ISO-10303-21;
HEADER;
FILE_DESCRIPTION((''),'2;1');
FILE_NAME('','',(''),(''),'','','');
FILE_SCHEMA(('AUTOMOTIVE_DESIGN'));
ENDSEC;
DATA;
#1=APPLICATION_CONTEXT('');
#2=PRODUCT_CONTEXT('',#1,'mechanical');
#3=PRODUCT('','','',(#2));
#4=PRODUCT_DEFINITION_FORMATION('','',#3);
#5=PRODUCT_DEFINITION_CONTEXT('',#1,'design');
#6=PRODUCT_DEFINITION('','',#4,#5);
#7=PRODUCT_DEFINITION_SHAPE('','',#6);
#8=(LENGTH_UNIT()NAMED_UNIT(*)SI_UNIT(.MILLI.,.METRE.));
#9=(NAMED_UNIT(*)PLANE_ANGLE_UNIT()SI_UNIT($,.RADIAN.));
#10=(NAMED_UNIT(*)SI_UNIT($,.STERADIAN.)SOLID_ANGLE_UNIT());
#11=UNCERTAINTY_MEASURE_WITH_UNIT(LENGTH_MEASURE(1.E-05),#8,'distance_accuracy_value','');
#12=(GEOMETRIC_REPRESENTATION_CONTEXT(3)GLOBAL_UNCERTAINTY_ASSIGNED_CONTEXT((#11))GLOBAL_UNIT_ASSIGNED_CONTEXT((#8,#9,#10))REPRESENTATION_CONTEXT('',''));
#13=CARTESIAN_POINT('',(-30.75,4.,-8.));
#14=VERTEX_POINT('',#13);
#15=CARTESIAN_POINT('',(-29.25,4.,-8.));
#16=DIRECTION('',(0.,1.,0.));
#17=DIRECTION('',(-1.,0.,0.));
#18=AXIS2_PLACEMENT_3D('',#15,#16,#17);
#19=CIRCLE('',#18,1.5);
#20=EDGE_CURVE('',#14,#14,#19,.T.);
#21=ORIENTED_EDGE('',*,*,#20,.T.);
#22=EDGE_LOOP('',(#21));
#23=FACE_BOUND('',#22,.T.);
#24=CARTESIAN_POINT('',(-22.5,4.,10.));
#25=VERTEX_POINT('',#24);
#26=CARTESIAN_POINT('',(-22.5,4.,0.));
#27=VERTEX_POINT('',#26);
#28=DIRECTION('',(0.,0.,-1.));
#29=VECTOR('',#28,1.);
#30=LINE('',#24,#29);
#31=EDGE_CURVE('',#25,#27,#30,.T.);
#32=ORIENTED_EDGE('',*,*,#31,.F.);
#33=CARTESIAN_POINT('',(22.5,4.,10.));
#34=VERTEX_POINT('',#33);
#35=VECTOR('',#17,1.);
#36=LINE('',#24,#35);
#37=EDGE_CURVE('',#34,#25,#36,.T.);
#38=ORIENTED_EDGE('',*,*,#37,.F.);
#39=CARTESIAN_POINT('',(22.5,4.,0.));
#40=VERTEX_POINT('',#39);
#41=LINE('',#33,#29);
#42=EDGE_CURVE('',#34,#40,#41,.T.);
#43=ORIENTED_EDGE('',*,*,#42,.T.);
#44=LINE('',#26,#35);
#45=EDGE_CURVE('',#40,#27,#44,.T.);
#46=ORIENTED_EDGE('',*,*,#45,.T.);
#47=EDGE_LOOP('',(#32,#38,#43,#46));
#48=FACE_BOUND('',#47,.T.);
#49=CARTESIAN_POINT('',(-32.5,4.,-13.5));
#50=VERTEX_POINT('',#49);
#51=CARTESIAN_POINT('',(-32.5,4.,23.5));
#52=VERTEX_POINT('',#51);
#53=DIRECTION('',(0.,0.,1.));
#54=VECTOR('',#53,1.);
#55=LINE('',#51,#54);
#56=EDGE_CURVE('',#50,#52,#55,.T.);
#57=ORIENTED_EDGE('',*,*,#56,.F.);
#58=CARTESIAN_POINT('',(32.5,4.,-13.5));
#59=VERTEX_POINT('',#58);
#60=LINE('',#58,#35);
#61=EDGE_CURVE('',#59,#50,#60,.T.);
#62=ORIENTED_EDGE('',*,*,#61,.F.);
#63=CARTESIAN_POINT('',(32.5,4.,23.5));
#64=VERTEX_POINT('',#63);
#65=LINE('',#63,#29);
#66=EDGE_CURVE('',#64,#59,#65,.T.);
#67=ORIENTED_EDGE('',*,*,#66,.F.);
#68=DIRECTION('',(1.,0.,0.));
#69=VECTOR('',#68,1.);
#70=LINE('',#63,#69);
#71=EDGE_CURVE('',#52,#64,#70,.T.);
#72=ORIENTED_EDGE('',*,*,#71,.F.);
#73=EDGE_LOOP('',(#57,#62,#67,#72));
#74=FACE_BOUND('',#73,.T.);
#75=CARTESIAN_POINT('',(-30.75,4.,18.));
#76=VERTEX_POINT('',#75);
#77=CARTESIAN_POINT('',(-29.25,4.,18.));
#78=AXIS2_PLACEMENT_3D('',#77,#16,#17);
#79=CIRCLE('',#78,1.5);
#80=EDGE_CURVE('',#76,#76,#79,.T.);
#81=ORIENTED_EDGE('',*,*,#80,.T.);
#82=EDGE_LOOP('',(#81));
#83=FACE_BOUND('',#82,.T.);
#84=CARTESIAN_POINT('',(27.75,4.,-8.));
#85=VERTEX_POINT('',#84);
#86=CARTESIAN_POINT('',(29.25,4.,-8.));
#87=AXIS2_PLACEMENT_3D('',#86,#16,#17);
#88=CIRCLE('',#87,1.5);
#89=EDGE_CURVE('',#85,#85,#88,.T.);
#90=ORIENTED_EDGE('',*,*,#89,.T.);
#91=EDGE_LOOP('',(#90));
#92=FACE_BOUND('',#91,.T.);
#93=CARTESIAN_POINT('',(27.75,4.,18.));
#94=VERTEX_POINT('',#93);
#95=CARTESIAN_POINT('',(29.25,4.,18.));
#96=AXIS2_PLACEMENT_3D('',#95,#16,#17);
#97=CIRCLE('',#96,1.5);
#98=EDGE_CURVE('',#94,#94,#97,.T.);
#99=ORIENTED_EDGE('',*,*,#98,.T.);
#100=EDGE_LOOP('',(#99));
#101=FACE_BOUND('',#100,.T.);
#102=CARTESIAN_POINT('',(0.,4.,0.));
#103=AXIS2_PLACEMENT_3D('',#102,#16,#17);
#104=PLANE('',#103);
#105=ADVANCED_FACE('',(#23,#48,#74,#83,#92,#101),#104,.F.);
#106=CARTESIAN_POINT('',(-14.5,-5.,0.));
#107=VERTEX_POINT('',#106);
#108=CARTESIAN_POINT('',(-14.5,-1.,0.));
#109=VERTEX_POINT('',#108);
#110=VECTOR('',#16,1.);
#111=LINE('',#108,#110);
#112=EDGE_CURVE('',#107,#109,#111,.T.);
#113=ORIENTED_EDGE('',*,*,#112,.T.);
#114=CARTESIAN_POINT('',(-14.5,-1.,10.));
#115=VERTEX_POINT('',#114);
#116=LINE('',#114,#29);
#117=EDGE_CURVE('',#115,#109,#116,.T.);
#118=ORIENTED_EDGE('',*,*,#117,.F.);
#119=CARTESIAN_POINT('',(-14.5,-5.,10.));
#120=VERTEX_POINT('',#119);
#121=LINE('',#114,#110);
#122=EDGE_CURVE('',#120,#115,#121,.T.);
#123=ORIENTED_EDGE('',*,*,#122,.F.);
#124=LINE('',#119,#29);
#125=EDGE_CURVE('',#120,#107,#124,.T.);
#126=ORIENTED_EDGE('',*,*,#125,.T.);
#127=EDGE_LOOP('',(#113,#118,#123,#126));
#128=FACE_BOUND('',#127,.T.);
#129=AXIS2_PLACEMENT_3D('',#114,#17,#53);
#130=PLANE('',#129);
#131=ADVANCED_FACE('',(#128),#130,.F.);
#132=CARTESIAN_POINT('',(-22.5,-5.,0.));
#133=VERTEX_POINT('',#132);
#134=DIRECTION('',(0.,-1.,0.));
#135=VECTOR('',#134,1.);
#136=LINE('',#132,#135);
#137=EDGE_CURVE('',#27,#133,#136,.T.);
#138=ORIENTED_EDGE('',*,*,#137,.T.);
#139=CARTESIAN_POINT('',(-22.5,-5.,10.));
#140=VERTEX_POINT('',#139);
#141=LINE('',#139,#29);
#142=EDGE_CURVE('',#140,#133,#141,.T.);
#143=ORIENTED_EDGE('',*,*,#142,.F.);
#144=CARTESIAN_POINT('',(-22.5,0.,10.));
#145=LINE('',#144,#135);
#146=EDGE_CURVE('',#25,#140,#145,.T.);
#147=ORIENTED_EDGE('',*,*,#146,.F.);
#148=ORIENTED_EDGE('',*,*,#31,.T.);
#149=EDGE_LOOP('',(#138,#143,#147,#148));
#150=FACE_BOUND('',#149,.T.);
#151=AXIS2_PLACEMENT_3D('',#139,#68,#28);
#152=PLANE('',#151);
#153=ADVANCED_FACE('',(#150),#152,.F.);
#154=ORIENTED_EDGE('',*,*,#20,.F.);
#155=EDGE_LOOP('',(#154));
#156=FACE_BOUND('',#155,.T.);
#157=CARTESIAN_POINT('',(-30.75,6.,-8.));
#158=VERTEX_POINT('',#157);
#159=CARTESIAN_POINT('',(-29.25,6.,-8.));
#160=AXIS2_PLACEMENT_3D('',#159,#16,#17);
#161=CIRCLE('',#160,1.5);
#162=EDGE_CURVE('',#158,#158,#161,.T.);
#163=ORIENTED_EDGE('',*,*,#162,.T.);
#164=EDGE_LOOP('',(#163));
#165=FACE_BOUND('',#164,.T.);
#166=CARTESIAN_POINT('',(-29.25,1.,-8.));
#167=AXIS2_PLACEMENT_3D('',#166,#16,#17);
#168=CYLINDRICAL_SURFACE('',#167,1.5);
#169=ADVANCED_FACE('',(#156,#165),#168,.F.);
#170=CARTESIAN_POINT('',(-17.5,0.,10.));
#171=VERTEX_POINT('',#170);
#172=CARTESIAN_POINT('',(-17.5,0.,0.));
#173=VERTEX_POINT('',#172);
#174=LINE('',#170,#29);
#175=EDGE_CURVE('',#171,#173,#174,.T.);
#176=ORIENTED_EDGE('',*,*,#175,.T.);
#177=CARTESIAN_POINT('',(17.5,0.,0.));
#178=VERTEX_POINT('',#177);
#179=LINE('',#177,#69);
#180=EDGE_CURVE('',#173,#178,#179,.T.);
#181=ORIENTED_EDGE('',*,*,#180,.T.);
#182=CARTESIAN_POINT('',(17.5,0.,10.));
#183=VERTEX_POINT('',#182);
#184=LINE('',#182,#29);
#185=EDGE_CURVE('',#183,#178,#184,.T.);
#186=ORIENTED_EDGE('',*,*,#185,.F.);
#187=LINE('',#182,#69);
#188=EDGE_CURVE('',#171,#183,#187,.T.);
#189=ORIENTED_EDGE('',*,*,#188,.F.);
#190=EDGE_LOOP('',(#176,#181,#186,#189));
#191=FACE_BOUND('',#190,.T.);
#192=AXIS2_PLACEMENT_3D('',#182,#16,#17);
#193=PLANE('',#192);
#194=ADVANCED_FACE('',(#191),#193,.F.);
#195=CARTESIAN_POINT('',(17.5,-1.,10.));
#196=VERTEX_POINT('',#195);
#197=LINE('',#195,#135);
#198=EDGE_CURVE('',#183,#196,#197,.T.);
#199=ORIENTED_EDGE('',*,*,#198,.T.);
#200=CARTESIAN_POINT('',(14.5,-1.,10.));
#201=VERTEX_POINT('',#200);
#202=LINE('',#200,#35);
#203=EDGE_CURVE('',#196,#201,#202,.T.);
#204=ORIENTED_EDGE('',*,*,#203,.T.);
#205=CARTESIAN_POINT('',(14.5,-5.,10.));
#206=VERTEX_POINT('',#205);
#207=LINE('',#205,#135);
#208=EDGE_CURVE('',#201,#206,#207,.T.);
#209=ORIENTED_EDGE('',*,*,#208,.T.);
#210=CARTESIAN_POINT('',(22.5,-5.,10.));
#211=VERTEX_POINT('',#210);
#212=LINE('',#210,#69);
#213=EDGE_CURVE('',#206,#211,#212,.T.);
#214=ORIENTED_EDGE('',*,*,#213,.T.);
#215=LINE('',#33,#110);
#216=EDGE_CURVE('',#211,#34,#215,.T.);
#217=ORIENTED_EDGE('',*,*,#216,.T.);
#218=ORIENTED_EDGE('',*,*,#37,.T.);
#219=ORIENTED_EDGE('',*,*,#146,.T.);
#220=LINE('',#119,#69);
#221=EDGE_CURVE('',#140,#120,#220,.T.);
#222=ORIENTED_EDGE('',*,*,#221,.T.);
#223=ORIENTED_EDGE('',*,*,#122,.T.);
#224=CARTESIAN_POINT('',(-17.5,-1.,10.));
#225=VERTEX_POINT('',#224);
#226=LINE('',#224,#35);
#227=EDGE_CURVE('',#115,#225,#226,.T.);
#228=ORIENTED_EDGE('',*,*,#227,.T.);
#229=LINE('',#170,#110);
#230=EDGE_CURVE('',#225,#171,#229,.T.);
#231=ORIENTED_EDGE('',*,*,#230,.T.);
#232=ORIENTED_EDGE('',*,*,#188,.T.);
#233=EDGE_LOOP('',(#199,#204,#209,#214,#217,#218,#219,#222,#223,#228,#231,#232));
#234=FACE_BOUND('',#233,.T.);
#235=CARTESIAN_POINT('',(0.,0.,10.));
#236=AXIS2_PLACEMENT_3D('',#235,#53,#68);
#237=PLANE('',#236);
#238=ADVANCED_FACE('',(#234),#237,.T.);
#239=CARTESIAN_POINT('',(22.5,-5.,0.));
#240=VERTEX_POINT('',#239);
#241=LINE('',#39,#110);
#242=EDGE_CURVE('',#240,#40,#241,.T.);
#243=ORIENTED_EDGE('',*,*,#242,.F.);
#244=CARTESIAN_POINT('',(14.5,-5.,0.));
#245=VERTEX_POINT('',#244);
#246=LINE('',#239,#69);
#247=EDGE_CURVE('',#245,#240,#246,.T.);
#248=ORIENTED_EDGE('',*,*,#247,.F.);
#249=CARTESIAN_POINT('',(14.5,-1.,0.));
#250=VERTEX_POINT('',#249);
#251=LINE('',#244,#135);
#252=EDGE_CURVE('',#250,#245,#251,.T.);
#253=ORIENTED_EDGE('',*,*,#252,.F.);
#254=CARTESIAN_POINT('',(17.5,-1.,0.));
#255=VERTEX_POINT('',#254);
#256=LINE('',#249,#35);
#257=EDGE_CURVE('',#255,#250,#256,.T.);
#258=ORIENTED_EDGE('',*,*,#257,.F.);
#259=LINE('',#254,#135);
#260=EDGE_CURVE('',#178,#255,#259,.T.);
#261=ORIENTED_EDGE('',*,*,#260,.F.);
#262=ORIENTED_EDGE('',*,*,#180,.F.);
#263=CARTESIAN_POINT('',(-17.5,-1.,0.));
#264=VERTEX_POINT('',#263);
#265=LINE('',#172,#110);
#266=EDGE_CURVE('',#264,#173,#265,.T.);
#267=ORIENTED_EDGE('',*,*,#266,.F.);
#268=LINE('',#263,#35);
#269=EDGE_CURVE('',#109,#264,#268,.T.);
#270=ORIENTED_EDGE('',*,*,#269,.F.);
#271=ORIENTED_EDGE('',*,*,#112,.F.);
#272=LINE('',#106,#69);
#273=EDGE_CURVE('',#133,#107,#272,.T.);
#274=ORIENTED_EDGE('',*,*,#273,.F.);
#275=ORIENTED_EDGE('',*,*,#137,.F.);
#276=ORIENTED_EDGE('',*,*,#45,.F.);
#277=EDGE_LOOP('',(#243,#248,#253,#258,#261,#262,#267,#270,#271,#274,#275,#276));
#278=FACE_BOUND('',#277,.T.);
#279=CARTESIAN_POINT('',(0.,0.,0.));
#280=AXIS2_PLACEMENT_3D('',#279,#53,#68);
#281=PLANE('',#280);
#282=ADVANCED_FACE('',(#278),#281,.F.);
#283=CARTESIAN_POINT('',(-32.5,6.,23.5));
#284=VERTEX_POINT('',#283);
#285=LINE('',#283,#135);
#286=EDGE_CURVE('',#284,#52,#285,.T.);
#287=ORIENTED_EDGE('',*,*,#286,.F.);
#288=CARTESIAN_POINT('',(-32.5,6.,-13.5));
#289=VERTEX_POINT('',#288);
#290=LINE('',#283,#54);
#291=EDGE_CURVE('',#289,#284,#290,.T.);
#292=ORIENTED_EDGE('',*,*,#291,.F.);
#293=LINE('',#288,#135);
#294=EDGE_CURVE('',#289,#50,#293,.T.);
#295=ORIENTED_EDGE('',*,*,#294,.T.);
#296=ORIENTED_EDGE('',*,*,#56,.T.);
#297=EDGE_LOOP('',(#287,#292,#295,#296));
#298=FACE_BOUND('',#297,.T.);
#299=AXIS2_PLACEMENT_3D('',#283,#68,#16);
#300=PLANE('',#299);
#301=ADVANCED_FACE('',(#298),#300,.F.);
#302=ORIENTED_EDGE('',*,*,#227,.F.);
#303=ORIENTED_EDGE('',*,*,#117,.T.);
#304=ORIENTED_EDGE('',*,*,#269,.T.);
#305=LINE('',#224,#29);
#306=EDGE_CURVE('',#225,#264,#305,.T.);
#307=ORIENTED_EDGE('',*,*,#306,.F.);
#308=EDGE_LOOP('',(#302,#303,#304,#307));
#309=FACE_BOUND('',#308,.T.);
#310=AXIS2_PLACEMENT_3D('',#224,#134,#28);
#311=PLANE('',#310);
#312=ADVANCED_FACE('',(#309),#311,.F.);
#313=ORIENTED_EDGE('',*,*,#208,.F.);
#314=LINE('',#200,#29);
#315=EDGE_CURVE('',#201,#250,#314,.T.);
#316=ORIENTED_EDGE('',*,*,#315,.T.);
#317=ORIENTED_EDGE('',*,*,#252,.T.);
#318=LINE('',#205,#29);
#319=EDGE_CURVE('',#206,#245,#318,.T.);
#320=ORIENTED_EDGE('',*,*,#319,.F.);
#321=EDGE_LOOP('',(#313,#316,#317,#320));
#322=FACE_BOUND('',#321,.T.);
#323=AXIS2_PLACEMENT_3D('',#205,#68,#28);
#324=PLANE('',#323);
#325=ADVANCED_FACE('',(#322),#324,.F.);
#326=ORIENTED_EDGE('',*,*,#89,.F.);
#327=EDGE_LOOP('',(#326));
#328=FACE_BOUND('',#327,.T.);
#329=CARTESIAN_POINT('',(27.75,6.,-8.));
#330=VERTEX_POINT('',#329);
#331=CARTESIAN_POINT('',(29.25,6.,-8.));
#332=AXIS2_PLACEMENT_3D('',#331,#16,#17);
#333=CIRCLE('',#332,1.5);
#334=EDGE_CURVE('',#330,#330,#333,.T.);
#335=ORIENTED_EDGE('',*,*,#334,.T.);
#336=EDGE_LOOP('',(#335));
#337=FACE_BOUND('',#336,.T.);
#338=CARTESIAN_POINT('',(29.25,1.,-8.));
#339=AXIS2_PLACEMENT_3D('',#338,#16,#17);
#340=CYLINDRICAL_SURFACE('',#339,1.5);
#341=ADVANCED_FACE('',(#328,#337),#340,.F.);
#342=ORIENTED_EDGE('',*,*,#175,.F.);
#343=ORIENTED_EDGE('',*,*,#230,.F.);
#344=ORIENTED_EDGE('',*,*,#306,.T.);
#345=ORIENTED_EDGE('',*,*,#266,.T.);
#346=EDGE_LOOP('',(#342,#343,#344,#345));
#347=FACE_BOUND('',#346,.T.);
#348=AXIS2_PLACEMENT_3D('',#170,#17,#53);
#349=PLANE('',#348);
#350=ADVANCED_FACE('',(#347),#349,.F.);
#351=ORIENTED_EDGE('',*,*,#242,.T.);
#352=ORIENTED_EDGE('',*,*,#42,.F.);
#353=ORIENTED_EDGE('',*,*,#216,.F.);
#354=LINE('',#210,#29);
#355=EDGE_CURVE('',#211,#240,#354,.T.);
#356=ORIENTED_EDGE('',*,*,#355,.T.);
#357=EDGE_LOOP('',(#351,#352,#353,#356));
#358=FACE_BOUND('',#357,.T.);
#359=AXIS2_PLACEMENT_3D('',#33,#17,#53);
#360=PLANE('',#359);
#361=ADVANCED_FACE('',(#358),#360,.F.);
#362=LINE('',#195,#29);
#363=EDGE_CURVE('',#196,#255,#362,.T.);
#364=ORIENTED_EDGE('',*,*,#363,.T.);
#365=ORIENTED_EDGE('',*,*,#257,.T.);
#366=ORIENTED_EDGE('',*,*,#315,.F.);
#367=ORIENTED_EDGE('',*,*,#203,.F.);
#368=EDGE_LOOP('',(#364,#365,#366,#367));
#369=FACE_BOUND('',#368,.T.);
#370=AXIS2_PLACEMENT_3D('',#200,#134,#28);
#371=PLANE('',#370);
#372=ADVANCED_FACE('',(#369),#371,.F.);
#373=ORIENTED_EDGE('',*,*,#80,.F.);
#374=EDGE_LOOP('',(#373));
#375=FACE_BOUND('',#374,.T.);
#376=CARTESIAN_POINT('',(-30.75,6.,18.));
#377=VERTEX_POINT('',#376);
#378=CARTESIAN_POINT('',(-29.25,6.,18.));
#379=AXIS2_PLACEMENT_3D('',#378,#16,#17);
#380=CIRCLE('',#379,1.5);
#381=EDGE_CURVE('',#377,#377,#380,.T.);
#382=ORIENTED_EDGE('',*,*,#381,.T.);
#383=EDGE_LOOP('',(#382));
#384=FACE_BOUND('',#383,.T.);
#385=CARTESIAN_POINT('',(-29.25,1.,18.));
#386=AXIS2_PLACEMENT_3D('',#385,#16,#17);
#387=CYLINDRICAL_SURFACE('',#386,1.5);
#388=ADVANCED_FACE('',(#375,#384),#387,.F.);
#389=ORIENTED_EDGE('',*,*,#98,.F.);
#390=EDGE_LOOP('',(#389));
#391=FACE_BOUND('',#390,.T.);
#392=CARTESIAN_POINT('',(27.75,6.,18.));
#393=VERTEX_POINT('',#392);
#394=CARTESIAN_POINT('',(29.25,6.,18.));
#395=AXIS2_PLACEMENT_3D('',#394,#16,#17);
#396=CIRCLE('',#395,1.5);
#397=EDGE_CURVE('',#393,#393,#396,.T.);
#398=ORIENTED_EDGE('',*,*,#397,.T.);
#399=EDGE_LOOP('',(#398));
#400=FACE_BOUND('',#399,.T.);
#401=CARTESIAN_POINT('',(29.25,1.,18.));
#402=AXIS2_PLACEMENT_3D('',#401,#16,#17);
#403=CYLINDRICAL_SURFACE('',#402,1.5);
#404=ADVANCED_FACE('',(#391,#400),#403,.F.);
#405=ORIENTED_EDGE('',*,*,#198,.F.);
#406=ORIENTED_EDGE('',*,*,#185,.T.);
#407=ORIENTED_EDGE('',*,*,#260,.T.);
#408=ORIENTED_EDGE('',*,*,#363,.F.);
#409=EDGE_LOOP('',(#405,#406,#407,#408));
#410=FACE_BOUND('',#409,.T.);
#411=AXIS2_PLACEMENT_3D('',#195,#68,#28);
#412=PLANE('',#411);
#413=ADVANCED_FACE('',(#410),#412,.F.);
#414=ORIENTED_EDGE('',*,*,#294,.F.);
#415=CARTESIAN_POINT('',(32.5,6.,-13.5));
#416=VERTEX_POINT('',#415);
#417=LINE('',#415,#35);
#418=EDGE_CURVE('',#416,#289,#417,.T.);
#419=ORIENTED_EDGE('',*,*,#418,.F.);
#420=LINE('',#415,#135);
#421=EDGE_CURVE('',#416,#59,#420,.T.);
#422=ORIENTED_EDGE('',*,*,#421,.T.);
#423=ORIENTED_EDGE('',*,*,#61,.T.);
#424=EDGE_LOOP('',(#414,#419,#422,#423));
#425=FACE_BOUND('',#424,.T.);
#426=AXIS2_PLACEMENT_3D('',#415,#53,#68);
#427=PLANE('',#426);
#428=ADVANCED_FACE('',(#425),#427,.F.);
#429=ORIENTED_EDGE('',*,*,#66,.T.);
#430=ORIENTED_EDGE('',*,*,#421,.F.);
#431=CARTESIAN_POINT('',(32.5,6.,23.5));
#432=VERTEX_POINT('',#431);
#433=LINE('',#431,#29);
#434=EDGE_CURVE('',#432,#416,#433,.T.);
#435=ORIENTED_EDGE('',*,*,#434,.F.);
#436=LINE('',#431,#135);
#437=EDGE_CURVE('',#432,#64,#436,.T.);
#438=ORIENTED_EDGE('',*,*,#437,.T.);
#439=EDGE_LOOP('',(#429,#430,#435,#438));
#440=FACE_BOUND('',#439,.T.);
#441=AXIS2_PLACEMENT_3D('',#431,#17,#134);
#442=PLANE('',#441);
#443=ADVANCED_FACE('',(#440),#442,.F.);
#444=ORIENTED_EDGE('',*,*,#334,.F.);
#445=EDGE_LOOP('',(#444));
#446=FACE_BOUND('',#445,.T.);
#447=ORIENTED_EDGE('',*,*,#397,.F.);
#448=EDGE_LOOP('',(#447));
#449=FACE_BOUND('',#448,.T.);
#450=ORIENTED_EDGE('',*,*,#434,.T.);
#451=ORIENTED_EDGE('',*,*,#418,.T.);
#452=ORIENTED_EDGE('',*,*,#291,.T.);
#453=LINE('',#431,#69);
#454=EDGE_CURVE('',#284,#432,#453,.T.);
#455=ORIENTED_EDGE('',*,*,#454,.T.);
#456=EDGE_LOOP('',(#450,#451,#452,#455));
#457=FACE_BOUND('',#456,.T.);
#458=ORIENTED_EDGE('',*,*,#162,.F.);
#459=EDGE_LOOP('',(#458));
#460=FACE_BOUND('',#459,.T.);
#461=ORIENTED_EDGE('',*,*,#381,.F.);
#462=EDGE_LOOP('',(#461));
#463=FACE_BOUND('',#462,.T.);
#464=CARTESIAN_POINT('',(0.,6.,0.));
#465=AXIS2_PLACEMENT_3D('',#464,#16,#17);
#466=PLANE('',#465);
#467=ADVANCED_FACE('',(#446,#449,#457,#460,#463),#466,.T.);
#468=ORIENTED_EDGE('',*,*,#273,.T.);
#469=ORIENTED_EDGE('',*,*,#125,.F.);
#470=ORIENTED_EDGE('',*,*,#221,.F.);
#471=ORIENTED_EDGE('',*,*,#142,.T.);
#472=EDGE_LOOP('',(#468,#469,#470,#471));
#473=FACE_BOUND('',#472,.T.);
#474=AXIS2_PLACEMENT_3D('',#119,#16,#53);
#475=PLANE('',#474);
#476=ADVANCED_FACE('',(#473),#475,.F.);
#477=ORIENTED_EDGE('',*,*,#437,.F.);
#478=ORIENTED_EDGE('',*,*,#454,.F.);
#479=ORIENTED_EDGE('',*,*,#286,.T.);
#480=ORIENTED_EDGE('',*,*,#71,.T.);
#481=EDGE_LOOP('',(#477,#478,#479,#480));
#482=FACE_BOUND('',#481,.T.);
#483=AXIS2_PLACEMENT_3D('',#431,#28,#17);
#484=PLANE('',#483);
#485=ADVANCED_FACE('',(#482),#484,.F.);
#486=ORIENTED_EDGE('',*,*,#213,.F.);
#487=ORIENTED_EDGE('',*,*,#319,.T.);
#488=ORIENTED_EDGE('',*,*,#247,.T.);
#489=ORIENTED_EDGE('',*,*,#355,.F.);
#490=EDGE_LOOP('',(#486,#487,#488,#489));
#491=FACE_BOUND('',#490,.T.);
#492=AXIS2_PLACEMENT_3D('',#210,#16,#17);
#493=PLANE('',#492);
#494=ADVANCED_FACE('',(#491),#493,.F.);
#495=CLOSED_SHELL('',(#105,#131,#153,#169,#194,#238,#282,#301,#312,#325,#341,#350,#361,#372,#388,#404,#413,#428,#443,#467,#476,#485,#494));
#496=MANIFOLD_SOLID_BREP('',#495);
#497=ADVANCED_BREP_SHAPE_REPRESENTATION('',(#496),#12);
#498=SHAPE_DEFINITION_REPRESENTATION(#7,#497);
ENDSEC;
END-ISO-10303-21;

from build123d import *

# Parameters (mm, degrees)
BOSS_EXTRUDE1_DEPTH = 10
SKETCH3_W           = 65
SKETCH3_H           = 37
BOSS_EXTRUDE2_DEPTH = 2
SKETCH4_R           = 1.5
CUT_EXTRUDE1_DEPTH  = 5


with BuildPart() as part:
    # Sketch2 → Boss-Extrude1 (new body)
    with BuildSketch(Plane.XY):
        Polygon((-17.5, 0), (-17.5, -1), (-14.5, -1), (-14.5, -5), (-22.5, -5), (-22.5, 0), (-22.5, 4), (22.5, 4), (22.5, -5), (14.5, -5), (14.5, -1), (17.5, -1), (17.5, 0), align=None)
    extrude(amount=BOSS_EXTRUDE1_DEPTH)

    # Sketch3 → Boss-Extrude2 (add)
    with BuildSketch(Plane(origin=(0, 4, 0), x_dir=(1, 0, 0), z_dir=(0, 1, 0))):
        with Locations((0, -5)):
            Rectangle(SKETCH3_W, SKETCH3_H)
    extrude(amount=BOSS_EXTRUDE2_DEPTH)

    # Sketch4 → Cut-Extrude1 (cut)
    with BuildSketch(Plane(origin=(0, 6, 0), x_dir=(1, 0, 0), z_dir=(0, 1, 0))):
        with Locations((-29.25, 8)):
            Circle(SKETCH4_R)
        with Locations((-29.25, -18)):
            Circle(SKETCH4_R)
        with Locations((29.25, -18)):
            Circle(SKETCH4_R)
        with Locations((29.25, 8)):
            Circle(SKETCH4_R)
    extrude(amount=-CUT_EXTRUDE1_DEPTH, mode=Mode.SUBTRACT)


solid = part.part
